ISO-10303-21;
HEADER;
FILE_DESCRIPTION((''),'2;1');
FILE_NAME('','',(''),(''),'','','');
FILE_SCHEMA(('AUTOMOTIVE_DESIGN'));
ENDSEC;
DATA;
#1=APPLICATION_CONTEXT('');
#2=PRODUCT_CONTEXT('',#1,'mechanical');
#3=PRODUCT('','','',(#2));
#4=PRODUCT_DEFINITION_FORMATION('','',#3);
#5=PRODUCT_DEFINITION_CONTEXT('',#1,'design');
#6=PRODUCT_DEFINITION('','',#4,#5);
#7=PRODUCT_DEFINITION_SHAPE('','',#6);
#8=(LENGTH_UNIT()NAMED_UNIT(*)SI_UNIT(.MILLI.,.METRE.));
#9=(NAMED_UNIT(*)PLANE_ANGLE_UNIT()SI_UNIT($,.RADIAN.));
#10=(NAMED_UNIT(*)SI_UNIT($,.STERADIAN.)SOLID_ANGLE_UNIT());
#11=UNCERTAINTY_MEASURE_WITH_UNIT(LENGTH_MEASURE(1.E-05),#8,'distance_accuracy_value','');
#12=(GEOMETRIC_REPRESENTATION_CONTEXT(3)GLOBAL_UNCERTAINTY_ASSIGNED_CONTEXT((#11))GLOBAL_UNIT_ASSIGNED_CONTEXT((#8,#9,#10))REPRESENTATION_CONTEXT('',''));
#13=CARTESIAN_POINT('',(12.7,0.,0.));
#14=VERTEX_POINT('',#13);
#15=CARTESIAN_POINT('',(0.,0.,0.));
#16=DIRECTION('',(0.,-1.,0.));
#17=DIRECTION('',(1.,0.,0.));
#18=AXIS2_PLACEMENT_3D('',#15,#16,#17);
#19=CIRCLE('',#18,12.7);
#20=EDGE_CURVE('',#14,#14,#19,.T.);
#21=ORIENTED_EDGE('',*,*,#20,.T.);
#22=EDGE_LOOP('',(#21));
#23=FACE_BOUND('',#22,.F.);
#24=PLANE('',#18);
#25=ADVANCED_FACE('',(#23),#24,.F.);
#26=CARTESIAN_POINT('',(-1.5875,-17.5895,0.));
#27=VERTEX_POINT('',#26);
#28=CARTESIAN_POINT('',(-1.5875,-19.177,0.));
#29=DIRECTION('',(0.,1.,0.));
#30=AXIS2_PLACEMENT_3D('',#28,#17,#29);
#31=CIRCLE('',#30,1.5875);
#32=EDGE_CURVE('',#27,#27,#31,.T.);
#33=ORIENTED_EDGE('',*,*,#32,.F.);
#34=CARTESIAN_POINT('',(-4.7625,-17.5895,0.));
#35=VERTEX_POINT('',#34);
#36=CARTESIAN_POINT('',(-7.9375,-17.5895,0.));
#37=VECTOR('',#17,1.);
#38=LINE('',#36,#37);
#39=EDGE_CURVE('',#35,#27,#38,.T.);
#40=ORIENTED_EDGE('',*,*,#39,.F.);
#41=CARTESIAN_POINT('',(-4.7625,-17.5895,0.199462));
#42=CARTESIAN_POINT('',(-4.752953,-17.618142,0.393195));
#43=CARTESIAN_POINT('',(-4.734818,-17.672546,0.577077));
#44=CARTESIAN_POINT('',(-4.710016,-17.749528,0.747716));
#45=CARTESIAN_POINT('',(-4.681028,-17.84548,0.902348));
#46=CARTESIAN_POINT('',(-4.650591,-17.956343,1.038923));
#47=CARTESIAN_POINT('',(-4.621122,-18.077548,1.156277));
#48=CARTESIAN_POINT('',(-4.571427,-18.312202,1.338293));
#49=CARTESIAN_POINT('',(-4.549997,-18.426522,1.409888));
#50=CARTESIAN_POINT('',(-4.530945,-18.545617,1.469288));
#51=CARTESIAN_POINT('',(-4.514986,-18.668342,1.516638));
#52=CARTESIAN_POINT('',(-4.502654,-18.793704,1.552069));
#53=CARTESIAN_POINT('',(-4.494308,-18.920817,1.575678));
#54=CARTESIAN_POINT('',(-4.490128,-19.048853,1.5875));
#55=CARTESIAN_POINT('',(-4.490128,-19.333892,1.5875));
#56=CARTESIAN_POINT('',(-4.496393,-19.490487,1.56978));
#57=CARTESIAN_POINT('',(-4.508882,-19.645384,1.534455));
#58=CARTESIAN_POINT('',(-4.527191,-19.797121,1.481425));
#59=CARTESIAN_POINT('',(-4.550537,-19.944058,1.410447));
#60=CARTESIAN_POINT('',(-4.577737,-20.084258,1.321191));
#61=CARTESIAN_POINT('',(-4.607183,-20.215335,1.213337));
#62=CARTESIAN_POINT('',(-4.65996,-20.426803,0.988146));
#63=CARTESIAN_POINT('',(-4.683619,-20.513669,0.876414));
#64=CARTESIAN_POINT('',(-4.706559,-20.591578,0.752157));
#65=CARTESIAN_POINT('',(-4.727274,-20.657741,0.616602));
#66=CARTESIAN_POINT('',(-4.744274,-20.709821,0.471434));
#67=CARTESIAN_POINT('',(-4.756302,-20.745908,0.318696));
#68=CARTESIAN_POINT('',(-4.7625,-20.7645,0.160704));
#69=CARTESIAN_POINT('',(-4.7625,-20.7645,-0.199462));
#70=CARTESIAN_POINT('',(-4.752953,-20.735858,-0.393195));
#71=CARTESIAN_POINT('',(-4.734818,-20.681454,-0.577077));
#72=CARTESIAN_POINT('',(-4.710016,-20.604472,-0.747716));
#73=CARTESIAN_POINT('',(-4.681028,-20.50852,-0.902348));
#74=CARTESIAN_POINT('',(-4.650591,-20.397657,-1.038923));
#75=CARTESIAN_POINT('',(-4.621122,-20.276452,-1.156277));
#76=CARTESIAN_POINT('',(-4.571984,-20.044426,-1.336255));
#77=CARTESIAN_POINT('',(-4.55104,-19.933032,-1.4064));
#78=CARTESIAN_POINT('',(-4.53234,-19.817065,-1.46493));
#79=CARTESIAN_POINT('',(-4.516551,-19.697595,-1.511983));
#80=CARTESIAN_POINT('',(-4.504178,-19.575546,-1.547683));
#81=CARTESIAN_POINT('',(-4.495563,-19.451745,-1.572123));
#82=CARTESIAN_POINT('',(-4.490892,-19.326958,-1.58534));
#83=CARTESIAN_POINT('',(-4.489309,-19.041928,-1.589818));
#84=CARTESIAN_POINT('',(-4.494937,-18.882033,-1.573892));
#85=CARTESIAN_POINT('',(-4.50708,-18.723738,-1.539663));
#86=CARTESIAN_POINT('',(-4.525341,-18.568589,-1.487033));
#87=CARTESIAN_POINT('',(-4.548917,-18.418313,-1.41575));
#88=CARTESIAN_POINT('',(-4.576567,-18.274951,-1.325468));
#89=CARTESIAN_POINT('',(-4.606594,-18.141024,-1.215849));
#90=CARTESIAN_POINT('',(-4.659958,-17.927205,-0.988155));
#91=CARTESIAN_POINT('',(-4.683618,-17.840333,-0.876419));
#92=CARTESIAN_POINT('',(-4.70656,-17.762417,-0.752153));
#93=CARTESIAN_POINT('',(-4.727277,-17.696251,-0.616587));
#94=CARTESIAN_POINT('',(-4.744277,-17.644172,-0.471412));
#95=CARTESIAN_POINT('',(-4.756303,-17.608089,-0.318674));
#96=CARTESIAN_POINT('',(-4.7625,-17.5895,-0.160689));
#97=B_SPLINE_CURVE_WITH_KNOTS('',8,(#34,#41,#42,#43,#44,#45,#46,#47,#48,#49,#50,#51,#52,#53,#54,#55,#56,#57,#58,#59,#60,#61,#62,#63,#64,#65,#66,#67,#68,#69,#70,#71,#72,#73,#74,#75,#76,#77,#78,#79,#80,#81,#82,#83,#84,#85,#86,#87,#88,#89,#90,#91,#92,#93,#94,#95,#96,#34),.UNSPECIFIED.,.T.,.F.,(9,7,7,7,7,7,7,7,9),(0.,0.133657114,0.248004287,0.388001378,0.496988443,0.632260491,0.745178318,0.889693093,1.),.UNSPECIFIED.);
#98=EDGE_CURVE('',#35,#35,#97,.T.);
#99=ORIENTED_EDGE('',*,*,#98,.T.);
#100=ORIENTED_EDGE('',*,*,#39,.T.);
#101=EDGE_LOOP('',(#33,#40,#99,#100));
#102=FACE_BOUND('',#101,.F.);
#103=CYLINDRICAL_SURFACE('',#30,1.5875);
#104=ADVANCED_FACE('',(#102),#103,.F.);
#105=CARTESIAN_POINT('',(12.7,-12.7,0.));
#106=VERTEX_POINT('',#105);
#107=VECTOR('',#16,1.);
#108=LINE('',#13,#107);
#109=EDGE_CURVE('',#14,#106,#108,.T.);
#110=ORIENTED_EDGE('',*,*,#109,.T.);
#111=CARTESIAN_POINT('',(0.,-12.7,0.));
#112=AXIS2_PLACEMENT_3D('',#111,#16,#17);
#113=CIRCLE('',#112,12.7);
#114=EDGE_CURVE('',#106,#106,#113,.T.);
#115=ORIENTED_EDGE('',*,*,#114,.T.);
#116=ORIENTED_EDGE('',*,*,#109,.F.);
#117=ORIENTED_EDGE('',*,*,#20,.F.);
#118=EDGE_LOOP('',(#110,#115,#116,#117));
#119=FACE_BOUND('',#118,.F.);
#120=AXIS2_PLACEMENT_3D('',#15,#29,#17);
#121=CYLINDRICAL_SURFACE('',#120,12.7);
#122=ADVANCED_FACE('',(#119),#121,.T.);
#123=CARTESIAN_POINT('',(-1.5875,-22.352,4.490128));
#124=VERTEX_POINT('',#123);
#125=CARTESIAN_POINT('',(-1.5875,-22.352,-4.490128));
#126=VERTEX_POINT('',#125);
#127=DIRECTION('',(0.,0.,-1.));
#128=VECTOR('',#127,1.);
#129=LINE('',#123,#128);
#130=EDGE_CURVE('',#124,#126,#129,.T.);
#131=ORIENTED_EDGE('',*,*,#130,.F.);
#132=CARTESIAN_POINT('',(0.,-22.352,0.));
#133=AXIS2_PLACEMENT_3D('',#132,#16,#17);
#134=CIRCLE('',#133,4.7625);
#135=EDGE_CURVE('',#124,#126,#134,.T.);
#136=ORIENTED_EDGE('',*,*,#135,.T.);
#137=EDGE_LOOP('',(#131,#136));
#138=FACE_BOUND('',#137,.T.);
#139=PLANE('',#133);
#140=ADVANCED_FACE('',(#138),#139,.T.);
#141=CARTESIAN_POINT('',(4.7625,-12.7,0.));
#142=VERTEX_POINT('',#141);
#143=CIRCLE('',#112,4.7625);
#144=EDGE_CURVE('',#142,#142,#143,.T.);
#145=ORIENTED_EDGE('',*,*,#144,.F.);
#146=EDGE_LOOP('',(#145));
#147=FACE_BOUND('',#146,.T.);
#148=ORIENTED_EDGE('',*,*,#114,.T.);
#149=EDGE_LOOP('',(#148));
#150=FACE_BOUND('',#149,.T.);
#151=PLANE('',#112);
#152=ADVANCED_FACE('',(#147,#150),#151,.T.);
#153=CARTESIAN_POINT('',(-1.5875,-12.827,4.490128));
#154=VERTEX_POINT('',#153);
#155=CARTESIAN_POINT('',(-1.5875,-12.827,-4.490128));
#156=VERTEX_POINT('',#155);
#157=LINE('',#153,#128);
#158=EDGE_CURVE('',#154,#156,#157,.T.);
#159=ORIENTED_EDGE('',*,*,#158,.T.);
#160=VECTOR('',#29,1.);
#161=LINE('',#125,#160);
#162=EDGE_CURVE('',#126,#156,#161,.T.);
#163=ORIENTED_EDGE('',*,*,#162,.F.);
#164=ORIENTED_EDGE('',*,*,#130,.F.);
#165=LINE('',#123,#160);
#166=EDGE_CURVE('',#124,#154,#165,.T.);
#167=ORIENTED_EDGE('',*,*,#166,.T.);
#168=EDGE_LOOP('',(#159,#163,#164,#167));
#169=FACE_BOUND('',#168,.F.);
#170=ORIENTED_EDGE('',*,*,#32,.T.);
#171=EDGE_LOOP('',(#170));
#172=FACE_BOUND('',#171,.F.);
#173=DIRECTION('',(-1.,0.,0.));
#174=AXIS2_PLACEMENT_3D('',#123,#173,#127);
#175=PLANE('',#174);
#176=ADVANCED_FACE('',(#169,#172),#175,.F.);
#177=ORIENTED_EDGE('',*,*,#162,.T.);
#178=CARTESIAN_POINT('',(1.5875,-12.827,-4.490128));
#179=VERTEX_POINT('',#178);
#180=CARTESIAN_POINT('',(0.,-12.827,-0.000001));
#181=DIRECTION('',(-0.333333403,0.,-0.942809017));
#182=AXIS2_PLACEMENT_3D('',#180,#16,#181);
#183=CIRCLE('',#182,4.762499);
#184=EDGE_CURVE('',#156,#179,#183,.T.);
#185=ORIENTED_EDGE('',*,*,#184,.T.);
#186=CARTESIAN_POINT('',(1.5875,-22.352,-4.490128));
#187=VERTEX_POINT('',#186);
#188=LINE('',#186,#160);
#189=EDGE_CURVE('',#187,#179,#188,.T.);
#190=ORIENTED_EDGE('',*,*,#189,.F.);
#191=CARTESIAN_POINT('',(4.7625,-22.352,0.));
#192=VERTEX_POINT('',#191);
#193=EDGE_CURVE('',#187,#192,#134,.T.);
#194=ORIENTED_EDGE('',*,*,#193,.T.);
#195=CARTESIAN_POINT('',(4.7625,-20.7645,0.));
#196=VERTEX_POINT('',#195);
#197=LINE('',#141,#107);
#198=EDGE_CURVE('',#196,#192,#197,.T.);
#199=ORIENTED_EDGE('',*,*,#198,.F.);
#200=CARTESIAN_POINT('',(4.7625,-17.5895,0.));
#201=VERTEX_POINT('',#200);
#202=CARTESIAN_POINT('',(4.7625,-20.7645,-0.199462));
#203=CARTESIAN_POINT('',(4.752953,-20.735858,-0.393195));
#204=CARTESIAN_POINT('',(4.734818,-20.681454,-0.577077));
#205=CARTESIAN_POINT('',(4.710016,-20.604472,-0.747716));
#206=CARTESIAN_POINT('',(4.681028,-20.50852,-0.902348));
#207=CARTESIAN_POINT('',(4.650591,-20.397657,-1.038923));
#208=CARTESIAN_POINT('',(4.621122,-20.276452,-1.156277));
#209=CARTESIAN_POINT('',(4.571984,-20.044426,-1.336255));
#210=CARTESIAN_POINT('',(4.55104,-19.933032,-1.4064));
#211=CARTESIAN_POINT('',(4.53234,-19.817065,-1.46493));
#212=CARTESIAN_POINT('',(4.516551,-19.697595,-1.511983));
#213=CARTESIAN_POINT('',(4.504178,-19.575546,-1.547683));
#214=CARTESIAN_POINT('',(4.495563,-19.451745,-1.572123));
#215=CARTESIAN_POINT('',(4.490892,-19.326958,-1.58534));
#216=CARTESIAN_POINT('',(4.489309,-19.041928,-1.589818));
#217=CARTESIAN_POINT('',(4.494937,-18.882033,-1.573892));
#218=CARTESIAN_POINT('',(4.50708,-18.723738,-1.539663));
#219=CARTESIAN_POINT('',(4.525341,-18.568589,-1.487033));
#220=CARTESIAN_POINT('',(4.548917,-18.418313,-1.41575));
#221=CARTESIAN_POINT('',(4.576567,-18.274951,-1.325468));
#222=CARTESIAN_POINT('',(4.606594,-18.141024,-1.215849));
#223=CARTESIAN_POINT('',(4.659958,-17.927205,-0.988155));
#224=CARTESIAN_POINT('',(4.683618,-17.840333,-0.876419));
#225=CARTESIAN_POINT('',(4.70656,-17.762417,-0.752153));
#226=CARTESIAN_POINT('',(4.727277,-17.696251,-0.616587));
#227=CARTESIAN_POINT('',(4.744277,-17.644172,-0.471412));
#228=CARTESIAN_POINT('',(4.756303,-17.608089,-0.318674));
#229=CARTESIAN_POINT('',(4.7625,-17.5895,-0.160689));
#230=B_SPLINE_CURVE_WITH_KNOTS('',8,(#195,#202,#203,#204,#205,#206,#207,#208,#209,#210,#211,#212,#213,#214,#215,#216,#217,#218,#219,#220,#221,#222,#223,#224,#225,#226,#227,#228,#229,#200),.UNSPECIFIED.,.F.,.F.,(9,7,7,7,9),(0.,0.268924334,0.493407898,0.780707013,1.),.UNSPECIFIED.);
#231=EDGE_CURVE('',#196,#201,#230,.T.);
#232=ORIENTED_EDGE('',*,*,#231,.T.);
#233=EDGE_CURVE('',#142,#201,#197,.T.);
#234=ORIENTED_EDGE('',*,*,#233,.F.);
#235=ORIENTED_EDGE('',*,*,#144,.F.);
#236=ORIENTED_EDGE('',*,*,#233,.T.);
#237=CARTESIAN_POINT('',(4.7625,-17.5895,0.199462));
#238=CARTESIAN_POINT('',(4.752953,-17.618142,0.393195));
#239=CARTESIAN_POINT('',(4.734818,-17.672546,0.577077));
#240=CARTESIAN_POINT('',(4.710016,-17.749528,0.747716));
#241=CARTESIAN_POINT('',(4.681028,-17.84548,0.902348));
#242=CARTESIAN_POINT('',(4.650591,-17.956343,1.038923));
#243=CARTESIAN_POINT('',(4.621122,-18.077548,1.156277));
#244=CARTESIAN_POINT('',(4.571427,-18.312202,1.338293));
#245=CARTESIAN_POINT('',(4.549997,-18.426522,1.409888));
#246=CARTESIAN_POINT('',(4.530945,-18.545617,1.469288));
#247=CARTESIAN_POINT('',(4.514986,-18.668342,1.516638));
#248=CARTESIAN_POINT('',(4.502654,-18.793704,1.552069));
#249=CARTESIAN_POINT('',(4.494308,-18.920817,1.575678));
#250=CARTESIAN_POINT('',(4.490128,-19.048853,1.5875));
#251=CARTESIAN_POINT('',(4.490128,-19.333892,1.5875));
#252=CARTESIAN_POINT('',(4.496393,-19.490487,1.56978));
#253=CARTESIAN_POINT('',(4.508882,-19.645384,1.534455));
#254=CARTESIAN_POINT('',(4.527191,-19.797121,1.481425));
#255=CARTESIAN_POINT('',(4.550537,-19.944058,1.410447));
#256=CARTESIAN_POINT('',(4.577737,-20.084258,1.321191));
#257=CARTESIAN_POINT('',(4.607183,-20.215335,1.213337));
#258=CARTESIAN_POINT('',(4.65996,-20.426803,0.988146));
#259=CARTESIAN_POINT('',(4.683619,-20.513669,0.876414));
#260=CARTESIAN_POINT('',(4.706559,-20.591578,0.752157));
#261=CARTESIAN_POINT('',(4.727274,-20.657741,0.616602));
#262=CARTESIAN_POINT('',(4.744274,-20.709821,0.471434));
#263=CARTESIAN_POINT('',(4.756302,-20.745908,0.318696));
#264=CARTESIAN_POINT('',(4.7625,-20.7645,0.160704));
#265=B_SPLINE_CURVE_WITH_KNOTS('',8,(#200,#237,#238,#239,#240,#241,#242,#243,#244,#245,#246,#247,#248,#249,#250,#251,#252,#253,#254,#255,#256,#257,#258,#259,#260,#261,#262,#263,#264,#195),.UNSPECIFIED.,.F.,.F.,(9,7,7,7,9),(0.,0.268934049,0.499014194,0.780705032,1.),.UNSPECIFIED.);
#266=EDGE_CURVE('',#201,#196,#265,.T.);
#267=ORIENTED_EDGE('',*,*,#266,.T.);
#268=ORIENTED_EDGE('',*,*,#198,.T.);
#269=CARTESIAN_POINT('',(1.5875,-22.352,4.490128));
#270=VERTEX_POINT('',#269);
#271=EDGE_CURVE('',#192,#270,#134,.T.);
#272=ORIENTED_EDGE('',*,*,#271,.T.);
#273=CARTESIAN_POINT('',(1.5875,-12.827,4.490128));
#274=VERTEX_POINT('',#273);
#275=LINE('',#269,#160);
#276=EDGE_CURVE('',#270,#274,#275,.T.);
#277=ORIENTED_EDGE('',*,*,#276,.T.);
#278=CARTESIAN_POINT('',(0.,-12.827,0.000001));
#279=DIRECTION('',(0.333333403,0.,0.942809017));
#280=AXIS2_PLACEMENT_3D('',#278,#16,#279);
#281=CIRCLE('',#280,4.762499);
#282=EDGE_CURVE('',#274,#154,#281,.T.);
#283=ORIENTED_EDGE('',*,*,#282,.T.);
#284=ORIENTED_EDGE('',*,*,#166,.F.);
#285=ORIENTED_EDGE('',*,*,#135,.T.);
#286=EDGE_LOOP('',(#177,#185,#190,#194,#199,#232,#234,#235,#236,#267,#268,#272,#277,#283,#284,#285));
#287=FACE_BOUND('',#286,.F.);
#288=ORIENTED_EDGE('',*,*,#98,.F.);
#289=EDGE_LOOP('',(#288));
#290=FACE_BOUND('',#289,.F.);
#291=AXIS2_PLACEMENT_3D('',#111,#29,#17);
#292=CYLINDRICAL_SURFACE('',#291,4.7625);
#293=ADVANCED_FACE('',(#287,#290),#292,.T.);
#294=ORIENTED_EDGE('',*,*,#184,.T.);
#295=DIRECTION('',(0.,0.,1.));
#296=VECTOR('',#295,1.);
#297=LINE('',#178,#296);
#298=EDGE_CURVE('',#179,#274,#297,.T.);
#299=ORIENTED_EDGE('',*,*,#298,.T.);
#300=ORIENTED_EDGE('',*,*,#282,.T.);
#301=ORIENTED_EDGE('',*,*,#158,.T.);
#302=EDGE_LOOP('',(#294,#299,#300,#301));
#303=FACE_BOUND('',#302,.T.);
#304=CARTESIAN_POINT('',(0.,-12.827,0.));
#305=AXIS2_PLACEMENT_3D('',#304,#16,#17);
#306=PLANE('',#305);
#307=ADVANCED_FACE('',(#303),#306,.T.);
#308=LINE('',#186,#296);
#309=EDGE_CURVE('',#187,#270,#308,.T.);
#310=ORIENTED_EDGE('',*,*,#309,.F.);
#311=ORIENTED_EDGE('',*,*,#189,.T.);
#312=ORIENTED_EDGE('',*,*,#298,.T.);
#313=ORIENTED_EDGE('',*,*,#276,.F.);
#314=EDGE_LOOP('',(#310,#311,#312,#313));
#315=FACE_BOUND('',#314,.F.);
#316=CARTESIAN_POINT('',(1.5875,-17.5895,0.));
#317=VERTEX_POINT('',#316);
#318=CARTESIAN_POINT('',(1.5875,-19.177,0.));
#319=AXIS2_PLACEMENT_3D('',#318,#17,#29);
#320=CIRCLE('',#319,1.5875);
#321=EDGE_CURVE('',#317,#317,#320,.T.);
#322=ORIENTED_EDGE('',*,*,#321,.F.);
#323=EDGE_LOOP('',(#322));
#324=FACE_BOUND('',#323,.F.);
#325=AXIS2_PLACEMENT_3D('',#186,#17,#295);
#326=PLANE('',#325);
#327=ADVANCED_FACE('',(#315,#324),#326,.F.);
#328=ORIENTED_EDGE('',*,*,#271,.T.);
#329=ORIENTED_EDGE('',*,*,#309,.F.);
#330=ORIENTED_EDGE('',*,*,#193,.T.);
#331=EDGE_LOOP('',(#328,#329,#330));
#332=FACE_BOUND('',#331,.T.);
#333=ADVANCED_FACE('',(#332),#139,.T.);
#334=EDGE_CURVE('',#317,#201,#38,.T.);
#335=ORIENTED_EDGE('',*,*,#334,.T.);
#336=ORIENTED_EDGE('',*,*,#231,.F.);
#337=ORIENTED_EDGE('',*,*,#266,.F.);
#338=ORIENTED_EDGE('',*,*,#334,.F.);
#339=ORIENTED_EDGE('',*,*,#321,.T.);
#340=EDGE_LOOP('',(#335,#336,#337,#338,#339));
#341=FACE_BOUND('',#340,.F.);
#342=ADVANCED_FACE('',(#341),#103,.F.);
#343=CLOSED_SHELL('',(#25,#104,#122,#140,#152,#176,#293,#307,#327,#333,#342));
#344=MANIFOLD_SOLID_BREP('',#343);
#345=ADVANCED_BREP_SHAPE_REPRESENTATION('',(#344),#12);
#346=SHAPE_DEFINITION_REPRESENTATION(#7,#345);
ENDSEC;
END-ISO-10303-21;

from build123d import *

# Parameters (mm, degrees)
F0_R     = 12.7
F1_DEPTH = 12.7
F2_R     = 4.7625
F3_DEPTH = 9.652
F5_DEPTH = 9.525
F6_R     = 1.5875
F7_DEPTH = 6.35


with BuildPart() as f1:
    # F0 (on Front) → F1 (new body)
    with BuildSketch(Plane.XZ):
        Circle(F0_R)
    extrude(amount=F1_DEPTH)

    # F2 (on face) → F3 (join)
    with BuildSketch(Plane.XZ.offset(12.7)):
        Circle(F2_R)
    extrude(amount=F3_DEPTH)

    # F4 (on face) → F5 (cut)
    with BuildSketch(Plane.XZ.offset(22.352)):
        with BuildLine():
            ThreePointArc((1.5875, 4.490128), (0, 4.7625), (-1.5875, 4.490128))
            Line((-1.5875, 4.490128), (-1.5875, -4.490128))
            ThreePointArc((-1.5875, -4.490128), (0, -4.7625), (1.5875, -4.490128))
            Line((1.5875, -4.490128), (1.5875, 4.490128))
        make_face()
    extrude(amount=-F5_DEPTH, mode=Mode.SUBTRACT)

    # F6 (on face) → F7 (cut, symmetric)
    with BuildSketch(Plane.YZ.offset(-1.5875)):
        with Locations((-19.177, 0)):
            Circle(F6_R)
    extrude(amount=F7_DEPTH, both=True, mode=Mode.SUBTRACT)


solid = f1.part
